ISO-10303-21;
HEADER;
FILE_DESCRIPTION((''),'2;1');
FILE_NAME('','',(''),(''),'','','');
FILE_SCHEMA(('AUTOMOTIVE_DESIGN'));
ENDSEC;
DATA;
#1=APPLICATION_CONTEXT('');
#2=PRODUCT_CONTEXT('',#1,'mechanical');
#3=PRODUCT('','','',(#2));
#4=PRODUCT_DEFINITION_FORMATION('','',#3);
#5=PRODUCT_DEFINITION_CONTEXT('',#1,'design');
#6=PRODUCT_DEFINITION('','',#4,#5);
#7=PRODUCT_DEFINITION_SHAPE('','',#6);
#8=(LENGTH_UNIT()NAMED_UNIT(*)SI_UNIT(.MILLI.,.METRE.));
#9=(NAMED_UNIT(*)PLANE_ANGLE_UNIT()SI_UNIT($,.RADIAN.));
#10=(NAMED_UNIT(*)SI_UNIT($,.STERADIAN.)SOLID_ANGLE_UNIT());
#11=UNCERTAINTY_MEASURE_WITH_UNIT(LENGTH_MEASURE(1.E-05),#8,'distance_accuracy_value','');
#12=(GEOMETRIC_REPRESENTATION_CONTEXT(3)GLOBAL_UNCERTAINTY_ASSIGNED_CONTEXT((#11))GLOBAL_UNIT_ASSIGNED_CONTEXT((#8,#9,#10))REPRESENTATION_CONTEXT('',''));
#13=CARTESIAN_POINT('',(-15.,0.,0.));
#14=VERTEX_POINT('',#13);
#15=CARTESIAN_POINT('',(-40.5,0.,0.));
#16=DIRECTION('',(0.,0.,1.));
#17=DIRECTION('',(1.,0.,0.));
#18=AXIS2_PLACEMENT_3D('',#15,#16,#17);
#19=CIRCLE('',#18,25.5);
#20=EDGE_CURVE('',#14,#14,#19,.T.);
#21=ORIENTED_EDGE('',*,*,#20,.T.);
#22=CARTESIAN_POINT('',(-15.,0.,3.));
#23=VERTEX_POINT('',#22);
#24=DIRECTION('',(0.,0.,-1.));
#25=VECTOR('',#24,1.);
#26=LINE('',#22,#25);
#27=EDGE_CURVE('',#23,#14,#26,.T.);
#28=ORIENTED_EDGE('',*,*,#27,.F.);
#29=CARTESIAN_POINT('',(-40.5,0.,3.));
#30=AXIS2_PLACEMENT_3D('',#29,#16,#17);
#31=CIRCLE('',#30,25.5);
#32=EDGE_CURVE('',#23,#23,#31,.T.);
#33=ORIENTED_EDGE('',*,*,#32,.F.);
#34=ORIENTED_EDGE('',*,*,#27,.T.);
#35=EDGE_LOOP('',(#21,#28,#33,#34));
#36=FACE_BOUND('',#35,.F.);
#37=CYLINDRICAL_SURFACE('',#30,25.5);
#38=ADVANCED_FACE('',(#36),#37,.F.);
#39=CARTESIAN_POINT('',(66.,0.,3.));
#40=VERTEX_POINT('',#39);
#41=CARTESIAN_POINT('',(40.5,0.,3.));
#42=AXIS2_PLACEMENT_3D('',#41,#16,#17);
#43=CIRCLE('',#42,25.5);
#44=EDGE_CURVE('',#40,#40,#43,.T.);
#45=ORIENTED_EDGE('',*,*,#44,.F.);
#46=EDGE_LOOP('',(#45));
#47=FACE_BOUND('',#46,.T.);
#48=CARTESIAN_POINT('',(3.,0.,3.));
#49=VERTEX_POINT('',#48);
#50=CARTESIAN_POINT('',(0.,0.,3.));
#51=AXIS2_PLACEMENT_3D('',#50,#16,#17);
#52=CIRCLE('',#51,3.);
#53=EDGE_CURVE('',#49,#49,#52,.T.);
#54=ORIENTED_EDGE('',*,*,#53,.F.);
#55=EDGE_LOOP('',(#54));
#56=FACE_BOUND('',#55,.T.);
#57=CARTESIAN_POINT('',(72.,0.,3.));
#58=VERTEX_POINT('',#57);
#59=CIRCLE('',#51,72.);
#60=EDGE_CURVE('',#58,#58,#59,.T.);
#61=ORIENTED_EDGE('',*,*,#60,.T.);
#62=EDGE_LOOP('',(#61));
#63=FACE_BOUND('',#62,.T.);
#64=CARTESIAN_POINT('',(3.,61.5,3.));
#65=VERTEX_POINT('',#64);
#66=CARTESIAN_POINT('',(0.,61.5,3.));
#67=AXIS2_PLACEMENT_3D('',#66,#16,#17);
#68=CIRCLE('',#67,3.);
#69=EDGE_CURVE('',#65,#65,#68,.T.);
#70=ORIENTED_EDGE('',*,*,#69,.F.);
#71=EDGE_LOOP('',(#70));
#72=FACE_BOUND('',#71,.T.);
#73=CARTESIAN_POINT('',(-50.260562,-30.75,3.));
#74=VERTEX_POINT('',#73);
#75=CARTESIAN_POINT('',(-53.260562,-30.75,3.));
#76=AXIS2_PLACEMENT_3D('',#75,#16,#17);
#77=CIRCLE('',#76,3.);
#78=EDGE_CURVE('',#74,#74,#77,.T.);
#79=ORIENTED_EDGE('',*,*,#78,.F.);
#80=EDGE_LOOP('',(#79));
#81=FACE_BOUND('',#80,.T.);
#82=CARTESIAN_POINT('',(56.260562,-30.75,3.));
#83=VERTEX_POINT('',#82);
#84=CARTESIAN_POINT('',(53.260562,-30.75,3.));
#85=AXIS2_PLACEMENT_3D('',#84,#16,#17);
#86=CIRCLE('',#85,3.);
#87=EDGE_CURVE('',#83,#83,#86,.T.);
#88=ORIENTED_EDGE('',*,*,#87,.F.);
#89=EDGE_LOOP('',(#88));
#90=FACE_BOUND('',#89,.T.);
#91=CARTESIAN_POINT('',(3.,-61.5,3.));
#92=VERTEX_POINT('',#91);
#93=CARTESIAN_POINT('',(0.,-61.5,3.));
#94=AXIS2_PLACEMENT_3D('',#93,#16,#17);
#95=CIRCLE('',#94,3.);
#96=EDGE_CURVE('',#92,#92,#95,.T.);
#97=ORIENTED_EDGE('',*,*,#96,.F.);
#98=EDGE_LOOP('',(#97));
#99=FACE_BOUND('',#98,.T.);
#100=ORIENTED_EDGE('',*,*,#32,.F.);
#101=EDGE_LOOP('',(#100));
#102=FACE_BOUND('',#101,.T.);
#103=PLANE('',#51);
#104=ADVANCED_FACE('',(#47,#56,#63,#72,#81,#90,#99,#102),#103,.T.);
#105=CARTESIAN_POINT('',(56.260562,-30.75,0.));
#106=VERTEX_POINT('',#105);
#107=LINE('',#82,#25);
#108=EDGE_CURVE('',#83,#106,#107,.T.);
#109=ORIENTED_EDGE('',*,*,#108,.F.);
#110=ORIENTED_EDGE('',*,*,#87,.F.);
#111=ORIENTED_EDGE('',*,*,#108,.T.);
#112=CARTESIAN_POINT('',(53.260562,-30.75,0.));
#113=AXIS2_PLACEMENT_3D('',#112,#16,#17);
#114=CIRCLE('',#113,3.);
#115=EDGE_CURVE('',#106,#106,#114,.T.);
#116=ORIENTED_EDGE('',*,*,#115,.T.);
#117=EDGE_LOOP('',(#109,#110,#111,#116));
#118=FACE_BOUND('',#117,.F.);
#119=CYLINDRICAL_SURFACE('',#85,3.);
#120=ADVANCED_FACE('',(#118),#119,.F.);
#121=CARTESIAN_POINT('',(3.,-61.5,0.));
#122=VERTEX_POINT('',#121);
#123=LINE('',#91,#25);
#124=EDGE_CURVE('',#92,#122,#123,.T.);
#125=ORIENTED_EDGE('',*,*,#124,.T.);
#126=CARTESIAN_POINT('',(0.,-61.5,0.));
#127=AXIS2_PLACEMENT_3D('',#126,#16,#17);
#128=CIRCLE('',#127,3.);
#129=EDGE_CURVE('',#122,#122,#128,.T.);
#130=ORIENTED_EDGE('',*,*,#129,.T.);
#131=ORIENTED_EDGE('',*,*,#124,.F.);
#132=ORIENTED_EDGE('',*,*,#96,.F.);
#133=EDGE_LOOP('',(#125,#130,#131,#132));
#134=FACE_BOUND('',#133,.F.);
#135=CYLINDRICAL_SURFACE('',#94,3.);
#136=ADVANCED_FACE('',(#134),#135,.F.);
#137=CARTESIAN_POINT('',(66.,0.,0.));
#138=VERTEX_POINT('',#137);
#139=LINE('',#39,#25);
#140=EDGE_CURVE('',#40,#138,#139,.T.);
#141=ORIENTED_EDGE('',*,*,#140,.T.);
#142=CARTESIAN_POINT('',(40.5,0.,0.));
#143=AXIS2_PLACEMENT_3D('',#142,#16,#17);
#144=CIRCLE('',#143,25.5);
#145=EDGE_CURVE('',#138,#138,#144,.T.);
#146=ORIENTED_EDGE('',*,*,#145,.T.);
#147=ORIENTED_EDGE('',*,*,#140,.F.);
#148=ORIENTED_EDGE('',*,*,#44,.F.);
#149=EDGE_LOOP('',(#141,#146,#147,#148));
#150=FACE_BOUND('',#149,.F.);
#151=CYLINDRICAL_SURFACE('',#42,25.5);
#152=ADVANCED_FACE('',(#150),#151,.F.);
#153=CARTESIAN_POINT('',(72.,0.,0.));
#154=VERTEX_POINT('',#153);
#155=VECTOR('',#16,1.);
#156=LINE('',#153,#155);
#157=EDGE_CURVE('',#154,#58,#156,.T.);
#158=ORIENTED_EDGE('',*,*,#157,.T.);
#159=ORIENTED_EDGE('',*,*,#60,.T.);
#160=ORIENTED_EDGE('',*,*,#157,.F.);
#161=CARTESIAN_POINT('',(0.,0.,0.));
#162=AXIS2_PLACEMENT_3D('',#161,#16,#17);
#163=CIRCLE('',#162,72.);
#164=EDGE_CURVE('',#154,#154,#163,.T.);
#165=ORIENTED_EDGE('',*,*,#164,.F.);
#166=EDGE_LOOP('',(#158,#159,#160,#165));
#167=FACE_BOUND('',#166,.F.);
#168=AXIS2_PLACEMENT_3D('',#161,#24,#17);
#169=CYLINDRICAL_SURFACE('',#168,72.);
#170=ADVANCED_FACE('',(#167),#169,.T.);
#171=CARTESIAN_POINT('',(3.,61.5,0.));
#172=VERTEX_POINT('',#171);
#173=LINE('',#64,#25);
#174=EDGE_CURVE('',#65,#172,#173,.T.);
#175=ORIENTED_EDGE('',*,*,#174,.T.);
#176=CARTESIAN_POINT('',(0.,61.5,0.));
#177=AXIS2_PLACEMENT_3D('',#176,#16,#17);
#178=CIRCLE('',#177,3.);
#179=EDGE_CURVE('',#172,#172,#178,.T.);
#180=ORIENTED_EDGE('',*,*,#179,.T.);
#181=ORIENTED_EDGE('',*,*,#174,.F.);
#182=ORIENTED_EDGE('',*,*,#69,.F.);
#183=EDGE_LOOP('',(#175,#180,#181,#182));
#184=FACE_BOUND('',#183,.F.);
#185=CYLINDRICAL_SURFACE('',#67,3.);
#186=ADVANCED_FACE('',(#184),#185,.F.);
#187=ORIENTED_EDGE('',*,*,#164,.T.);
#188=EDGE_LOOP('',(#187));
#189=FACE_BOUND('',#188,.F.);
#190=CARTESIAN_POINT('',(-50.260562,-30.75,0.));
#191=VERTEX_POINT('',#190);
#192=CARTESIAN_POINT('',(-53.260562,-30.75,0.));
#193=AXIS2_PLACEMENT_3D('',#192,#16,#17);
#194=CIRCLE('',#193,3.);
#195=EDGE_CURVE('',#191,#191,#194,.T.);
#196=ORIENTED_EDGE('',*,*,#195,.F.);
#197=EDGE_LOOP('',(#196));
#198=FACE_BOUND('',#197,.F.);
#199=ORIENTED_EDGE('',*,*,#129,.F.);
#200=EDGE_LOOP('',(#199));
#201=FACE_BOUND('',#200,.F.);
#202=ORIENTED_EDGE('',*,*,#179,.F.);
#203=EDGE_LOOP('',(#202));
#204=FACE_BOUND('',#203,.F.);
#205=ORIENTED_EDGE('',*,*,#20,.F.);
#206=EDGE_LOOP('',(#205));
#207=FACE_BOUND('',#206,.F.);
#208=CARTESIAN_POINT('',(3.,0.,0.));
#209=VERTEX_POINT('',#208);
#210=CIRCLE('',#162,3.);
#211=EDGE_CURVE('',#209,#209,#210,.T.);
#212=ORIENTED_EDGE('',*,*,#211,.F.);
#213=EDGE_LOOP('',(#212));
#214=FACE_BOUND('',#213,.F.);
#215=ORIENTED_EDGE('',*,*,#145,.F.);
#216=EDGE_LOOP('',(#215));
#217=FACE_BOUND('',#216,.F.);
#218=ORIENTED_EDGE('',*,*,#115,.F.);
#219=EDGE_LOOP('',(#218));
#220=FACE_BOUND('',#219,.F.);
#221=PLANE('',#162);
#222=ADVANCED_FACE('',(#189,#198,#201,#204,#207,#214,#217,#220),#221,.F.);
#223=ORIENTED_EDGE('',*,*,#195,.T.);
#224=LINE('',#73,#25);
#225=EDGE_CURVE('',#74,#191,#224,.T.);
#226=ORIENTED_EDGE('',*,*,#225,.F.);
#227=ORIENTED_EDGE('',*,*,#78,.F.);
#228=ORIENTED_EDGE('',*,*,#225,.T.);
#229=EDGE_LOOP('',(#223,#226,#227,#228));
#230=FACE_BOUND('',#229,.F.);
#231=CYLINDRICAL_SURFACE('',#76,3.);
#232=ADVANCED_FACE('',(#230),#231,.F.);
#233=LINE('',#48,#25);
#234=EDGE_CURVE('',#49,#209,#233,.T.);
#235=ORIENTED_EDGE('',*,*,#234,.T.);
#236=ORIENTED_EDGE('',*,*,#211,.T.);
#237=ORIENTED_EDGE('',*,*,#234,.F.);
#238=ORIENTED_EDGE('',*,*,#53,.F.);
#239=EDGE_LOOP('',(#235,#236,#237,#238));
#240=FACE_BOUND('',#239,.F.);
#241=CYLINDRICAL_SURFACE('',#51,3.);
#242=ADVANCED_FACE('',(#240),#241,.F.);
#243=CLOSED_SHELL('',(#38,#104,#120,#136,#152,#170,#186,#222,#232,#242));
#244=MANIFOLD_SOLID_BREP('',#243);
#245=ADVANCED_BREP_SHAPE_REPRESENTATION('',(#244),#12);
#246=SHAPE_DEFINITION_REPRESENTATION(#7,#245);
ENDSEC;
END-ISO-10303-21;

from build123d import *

# Parameters (mm, degrees)
F0_R     = 72
F1_DEPTH = 3
F2_R     = 25.5
F3_DEPTH = 3
F4_R     = 3
F5_DEPTH = 25.4
F6_R     = 3
F7_DEPTH = 25.4


with BuildPart() as f1:
    # F0 (on Top) → F1 (new body)
    with BuildSketch(Plane.XY):
        Circle(F0_R)
    extrude(amount=F1_DEPTH)

    # F2 (on face) → F3 (cut)
    with BuildSketch(Plane.XY.offset(3)):
        with Locations((-40.5, 0)):
            Circle(F2_R)
        with Locations((40.5, 0)):
            Circle(F2_R)
    extrude(amount=-F3_DEPTH, mode=Mode.SUBTRACT)

    # F4 (on face) → F5 (cut)
    with BuildSketch(Plane.XY.offset(3)):
        with Locations((0, 61.5)):
            Circle(F4_R)
        Circle(F4_R)
        with Locations((0, -61.5)):
            Circle(F4_R)
    extrude(amount=-F5_DEPTH, mode=Mode.SUBTRACT)

    # F6 (on face) → F7 (cut)
    with BuildSketch(Plane.XY.offset(3)):
        with Locations((-53.260562, -30.75)):
            Circle(F6_R)
        with Locations((53.260562, -30.75)):
            Circle(F6_R)
    extrude(amount=-F7_DEPTH, mode=Mode.SUBTRACT)


solid = f1.part
